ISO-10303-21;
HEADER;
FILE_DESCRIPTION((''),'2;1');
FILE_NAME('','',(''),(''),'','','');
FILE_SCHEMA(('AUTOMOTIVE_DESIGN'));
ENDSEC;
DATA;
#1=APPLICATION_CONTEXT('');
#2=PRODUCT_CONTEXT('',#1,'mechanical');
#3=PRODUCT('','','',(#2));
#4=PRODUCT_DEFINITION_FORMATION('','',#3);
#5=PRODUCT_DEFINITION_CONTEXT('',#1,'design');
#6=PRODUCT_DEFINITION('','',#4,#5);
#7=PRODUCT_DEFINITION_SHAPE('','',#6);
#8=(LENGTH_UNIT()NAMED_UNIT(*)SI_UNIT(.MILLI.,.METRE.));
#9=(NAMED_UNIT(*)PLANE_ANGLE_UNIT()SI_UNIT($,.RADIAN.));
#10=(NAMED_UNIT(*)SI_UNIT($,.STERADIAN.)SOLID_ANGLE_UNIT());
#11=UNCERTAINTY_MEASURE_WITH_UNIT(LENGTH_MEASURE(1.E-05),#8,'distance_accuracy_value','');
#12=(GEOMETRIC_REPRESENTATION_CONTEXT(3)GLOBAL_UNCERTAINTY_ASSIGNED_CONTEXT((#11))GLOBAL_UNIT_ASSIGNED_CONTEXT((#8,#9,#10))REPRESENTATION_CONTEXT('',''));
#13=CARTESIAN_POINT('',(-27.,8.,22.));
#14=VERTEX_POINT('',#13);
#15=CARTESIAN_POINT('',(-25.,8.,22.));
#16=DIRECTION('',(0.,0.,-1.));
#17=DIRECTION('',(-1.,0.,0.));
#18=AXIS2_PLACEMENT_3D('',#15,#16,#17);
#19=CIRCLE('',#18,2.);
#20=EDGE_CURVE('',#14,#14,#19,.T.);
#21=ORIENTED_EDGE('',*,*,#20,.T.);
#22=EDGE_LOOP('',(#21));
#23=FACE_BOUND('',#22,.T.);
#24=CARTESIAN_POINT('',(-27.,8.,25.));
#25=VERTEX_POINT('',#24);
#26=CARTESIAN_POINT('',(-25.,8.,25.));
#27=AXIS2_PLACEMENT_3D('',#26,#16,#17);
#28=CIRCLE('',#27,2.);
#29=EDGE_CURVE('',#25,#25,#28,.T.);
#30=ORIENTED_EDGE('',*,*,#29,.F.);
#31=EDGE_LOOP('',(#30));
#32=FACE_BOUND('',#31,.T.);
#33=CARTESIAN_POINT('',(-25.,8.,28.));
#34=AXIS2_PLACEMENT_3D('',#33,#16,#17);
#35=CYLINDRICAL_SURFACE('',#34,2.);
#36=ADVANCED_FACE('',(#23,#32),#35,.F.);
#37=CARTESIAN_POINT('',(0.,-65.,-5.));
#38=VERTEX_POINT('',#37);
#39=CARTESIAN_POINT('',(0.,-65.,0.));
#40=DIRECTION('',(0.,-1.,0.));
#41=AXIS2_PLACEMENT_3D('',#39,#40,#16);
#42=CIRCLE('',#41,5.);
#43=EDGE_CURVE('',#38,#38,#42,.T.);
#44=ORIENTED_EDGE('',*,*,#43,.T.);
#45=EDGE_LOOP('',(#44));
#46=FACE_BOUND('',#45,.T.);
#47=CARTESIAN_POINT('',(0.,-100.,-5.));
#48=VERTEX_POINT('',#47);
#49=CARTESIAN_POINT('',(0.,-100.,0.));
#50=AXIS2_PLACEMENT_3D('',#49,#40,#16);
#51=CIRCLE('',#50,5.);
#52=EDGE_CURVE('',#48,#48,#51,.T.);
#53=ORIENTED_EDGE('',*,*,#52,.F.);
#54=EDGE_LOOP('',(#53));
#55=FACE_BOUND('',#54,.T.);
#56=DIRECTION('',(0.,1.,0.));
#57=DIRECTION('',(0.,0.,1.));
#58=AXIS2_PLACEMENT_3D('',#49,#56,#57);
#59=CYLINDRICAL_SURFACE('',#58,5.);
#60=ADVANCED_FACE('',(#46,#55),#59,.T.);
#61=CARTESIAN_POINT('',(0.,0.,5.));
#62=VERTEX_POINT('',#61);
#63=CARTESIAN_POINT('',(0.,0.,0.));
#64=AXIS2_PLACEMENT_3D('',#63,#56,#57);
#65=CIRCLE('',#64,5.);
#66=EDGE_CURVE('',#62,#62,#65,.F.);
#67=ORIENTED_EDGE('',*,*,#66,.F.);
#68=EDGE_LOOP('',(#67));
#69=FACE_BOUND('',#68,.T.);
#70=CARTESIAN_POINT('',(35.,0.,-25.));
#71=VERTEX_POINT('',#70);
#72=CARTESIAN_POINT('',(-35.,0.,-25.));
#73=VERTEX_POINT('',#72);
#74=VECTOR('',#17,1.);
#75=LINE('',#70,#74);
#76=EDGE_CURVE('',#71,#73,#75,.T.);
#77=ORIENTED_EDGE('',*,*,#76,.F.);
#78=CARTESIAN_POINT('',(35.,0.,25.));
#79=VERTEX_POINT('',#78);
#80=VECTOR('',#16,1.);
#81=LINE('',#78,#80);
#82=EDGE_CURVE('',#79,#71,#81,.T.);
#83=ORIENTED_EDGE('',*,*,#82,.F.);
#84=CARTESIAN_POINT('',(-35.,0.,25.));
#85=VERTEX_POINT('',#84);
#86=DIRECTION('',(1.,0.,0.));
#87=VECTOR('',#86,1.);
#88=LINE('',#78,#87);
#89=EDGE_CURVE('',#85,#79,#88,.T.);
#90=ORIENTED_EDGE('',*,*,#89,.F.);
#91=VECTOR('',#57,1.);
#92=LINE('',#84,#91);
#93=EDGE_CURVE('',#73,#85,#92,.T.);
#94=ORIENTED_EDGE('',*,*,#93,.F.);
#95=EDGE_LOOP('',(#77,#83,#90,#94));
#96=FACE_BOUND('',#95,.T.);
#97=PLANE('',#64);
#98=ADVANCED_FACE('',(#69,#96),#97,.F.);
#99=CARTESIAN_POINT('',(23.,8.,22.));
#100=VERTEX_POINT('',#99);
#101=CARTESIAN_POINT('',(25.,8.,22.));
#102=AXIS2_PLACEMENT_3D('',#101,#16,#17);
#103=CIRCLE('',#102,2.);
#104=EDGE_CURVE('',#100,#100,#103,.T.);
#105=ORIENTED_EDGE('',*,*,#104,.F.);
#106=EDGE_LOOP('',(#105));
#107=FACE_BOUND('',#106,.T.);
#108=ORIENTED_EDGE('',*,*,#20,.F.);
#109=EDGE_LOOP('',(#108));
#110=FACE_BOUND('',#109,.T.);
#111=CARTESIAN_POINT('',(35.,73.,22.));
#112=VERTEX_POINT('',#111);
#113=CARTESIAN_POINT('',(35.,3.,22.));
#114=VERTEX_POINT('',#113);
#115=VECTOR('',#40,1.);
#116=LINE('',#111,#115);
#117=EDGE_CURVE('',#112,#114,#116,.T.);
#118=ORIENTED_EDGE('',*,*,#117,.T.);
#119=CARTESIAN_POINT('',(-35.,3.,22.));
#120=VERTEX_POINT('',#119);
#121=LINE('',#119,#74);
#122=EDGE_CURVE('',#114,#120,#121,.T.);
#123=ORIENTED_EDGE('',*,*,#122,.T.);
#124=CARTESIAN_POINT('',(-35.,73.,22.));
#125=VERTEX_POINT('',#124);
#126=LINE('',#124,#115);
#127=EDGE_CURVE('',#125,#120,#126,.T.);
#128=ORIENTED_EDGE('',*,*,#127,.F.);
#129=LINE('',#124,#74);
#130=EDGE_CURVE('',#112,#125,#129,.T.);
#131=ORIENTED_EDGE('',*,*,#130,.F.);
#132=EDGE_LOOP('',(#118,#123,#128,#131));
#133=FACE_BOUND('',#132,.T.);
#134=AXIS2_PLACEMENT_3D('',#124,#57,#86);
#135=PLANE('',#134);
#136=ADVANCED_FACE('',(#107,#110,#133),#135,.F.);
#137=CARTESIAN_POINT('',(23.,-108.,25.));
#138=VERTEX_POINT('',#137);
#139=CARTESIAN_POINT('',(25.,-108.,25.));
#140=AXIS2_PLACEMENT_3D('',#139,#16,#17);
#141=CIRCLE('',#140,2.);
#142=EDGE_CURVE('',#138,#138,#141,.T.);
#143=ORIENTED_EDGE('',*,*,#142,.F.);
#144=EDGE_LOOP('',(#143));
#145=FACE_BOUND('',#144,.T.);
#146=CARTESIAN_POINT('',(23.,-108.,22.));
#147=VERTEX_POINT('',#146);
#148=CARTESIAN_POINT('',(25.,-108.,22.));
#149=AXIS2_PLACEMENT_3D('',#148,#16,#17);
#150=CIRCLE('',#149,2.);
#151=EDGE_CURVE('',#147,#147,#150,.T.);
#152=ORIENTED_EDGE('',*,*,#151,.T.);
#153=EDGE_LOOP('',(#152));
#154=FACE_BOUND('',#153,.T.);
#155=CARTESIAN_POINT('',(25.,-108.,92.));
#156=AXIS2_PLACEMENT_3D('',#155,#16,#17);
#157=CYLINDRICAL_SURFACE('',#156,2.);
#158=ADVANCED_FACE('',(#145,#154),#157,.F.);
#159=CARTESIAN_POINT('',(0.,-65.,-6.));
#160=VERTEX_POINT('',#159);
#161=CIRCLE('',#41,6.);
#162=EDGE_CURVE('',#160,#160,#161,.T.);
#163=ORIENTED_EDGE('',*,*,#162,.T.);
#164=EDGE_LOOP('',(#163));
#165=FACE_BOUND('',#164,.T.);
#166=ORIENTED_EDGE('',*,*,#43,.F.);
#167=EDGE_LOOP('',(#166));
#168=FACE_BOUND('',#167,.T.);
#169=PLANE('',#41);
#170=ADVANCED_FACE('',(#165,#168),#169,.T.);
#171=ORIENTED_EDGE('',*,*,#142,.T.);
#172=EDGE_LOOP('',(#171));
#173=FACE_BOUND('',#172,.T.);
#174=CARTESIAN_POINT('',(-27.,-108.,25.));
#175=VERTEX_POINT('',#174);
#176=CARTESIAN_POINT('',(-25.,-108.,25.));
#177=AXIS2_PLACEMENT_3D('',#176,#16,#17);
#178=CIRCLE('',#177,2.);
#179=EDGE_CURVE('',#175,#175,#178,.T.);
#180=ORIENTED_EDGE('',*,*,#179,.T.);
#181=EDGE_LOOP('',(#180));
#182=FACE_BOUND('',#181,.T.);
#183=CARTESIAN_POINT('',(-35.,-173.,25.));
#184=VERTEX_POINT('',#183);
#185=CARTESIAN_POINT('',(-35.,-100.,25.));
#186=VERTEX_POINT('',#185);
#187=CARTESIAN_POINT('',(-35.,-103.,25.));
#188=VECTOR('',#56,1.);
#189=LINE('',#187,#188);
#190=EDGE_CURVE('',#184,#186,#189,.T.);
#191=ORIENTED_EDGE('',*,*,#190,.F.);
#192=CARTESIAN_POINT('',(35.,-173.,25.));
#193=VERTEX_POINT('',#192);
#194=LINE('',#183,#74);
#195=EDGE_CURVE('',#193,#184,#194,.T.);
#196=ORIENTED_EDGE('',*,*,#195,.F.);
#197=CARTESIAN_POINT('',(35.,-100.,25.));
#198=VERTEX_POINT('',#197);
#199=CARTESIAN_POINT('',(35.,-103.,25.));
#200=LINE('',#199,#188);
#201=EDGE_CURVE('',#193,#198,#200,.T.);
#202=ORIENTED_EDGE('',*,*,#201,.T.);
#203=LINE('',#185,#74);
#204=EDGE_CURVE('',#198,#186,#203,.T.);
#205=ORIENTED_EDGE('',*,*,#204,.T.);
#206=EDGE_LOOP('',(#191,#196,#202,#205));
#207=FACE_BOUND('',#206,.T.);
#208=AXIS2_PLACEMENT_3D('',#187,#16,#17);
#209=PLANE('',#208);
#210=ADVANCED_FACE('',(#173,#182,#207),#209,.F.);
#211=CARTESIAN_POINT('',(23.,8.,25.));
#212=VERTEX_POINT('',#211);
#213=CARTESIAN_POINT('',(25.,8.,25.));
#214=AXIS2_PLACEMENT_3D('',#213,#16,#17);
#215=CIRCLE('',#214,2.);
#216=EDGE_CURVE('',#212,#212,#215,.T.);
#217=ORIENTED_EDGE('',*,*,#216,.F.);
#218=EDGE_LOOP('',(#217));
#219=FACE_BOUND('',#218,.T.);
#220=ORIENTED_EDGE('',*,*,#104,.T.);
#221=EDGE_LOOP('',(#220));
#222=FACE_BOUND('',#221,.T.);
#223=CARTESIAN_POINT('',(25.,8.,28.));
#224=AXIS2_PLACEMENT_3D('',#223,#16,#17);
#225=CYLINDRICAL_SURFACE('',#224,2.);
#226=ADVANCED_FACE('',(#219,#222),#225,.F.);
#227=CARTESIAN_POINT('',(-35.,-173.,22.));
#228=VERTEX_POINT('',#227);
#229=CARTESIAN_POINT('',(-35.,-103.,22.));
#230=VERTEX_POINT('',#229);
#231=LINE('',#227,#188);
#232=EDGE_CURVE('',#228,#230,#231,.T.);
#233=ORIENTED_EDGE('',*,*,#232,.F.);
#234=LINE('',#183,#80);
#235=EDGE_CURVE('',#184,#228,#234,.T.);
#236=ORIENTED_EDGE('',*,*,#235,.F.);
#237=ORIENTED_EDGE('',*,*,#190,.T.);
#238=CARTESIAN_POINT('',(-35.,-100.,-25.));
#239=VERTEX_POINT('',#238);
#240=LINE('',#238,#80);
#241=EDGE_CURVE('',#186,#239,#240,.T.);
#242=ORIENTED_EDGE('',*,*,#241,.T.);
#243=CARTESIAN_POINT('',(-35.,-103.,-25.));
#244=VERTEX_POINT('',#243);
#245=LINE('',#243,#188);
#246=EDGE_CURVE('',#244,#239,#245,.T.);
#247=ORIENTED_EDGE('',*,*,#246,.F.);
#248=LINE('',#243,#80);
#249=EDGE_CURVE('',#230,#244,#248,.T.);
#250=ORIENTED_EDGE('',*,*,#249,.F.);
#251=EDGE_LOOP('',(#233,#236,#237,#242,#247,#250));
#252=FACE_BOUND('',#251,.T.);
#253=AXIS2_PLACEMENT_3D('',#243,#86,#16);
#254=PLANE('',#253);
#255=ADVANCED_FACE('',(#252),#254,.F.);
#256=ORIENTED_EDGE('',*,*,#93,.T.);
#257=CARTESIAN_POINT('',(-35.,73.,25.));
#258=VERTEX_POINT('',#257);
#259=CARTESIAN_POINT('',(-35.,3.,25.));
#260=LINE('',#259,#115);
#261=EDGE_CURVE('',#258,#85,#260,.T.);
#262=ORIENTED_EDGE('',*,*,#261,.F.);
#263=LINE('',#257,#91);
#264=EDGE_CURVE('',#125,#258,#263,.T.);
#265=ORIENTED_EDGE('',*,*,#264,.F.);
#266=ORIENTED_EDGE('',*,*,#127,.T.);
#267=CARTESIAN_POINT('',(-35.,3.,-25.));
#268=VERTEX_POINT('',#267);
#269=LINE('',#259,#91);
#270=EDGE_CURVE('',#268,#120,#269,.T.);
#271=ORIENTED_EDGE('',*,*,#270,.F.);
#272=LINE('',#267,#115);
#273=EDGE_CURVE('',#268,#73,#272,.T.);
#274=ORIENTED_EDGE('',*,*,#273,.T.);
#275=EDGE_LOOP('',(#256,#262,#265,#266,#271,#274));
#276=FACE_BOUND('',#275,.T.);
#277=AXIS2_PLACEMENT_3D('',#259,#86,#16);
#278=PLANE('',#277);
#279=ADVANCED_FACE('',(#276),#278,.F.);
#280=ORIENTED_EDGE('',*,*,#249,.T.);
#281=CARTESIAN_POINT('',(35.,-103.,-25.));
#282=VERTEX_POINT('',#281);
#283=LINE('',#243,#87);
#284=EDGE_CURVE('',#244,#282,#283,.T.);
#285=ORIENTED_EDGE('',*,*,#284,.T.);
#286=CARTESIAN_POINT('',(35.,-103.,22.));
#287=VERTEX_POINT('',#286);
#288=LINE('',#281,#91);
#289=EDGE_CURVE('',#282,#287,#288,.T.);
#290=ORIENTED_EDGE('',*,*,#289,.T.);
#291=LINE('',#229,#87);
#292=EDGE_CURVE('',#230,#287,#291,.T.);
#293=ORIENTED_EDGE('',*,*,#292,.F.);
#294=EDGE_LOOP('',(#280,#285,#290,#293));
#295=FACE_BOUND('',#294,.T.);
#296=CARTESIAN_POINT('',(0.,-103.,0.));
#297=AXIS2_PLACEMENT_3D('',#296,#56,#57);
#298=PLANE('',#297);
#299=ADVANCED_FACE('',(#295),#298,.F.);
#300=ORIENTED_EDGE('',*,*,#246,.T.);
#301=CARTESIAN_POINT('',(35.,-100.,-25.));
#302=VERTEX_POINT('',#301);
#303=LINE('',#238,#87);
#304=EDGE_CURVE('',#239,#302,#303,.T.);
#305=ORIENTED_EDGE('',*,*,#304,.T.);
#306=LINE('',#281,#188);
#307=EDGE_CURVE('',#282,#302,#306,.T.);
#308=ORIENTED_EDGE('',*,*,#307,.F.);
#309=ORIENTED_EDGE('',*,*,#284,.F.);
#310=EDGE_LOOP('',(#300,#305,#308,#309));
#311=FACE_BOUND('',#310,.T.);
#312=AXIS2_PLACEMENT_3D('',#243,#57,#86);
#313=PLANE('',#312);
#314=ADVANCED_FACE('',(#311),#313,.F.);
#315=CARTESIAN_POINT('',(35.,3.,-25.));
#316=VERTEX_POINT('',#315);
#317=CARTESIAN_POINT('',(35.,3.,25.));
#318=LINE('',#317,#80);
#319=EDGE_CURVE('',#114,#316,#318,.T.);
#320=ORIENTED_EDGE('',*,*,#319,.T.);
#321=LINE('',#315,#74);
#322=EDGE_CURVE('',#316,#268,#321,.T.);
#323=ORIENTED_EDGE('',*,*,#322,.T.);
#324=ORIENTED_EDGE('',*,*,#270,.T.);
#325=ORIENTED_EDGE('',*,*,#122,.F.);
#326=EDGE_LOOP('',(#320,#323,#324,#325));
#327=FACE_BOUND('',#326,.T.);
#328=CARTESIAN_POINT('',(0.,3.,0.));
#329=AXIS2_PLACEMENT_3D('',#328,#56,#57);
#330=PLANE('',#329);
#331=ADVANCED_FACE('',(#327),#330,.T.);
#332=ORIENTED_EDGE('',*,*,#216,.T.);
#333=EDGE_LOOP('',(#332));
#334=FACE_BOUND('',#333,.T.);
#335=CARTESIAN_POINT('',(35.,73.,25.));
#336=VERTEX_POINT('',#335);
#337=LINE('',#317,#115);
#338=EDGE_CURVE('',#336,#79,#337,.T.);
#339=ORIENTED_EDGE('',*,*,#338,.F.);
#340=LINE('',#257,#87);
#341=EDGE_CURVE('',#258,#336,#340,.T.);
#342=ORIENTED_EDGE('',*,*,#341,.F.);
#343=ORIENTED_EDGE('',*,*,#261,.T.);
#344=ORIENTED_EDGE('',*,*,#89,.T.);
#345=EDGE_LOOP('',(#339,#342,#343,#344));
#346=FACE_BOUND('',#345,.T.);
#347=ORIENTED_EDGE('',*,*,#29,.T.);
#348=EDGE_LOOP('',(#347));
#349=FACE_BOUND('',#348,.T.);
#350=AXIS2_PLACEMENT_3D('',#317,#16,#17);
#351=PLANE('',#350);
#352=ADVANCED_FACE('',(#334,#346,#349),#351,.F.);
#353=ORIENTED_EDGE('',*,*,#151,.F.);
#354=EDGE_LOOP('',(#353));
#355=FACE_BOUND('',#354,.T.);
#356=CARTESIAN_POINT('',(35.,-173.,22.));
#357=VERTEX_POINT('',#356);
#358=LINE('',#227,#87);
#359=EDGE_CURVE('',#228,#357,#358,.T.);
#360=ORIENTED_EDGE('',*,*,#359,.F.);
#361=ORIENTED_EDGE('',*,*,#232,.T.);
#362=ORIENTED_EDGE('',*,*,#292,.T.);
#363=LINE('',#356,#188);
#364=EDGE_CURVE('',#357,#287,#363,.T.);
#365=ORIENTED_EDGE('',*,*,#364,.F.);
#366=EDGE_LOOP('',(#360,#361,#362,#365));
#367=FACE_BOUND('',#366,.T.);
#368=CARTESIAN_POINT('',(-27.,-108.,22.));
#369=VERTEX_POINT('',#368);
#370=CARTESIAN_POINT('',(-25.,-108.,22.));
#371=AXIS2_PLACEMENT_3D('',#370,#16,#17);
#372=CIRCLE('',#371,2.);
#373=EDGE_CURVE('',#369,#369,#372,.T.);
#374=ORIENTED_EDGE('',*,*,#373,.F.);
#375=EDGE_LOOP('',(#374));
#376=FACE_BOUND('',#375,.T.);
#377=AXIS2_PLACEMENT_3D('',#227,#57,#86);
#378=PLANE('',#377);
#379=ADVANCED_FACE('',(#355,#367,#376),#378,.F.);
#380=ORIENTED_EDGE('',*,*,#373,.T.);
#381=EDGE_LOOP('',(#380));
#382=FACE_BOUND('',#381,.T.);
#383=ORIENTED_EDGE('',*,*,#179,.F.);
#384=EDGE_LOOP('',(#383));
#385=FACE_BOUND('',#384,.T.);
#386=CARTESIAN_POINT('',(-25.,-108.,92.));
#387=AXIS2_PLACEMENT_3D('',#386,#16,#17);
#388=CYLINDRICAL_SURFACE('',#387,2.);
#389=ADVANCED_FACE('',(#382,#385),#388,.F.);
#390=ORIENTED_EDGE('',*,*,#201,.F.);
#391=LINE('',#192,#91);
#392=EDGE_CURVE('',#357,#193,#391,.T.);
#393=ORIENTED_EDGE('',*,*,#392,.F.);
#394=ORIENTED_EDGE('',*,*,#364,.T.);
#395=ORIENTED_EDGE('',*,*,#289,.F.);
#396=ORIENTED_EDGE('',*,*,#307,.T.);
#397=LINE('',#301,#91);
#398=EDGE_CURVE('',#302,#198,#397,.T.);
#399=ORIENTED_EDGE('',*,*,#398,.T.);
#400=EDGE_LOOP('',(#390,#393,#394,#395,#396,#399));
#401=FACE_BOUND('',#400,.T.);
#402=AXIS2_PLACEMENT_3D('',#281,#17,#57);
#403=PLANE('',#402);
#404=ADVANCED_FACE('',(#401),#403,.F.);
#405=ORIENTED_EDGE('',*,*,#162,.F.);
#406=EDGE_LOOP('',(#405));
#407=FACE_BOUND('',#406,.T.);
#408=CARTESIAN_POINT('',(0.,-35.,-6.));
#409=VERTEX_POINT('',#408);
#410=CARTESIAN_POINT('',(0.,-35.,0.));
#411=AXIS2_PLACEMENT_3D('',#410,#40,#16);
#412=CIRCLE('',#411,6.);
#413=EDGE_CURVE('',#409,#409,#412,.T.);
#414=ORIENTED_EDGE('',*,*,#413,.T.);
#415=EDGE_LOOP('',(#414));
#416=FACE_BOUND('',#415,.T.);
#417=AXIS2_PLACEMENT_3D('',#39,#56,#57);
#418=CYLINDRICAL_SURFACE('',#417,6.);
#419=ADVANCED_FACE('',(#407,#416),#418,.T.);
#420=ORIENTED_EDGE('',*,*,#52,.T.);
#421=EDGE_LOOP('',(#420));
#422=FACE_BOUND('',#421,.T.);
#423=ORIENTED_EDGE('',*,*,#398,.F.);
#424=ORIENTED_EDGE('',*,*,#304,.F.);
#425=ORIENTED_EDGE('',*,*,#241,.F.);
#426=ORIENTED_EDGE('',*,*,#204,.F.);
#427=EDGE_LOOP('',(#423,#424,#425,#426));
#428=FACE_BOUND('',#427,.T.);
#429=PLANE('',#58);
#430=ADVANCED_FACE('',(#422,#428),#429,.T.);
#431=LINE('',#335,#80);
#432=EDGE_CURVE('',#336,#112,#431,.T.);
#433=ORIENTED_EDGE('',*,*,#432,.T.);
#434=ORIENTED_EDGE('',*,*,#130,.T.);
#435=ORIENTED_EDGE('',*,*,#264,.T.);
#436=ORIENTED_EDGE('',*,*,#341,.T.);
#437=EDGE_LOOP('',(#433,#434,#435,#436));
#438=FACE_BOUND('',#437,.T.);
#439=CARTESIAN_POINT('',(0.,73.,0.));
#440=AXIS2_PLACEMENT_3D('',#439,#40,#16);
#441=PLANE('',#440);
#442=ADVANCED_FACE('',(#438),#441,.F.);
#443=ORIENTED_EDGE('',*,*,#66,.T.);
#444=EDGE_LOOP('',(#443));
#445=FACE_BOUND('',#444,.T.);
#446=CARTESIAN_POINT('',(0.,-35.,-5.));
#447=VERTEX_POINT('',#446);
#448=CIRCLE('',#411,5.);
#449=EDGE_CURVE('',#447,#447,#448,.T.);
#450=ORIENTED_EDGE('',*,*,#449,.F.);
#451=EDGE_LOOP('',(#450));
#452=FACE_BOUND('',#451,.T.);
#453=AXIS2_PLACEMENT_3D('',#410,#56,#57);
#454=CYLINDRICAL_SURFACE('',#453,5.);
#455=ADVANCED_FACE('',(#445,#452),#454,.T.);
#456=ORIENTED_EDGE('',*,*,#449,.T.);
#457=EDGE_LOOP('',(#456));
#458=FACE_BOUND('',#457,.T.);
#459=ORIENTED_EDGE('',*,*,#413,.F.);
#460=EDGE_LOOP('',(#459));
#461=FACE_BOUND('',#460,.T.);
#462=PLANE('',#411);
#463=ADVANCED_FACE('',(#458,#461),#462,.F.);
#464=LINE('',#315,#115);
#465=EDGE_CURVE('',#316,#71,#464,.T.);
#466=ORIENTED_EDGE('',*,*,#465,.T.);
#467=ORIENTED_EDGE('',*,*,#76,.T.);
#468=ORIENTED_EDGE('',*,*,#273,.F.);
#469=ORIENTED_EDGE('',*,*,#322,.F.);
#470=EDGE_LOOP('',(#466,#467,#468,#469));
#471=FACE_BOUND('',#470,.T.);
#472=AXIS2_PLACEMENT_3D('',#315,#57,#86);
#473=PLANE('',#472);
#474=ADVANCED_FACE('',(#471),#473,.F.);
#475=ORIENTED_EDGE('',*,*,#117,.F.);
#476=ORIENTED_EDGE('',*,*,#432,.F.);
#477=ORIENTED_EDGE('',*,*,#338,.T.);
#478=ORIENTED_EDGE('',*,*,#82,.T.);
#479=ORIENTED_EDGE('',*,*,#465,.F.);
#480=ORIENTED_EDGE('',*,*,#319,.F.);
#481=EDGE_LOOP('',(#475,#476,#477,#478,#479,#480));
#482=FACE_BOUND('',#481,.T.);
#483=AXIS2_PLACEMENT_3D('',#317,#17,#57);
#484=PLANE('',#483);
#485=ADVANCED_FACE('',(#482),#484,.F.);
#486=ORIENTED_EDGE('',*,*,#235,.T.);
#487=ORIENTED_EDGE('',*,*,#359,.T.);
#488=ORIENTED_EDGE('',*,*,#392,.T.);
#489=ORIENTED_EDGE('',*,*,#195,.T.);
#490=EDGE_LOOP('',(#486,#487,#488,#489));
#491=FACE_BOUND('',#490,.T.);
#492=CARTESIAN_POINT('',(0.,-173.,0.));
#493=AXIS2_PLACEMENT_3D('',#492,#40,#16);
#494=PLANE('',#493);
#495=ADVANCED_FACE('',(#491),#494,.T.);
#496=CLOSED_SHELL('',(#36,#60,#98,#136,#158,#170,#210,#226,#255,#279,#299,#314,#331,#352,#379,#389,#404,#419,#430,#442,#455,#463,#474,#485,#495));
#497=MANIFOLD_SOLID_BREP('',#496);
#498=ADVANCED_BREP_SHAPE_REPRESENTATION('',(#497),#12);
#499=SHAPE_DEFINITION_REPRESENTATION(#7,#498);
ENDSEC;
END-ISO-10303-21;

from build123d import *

# Parameters (mm, degrees)
SKETCH1_W           = 70
SKETCH1_H           = 50
BOSS_EXTRUDE1_DEPTH = 3
SKETCH2_W           = 70
SKETCH2_H           = 3
BOSS_EXTRUDE2_DEPTH = 70
SKETCH3_R           = 2
CUT_EXTRUDE1_DEPTH  = 6
SKETCH4_R           = 5
BOSS_EXTRUDE3_DEPTH = 35
SKETCH5_R           = 6
BOSS_EXTRUDE4_DEPTH = 30
SKETCH6_R           = 5
BOSS_EXTRUDE5_DEPTH = 35
SKETCH7_W           = 70
SKETCH7_H           = 50
BOSS_EXTRUDE6_DEPTH = 3
SKETCH8_W           = 70
SKETCH8_H           = 3
BOSS_EXTRUDE7_DEPTH = 70
SKETCH9_R           = 2
CUT_EXTRUDE2_DEPTH  = 70


with BuildPart() as part:
    # Sketch1 → Boss-Extrude1 (new body)
    with BuildSketch(Plane(origin=(0, 0, 0), x_dir=(1, 0, 0), z_dir=(0, 1, 0))):
        Rectangle(SKETCH1_W, SKETCH1_H)
    extrude(amount=BOSS_EXTRUDE1_DEPTH)

    # Sketch2 → Boss-Extrude2 (add)
    with BuildSketch(Plane(origin=(0, 3, 0), x_dir=(1, 0, 0), z_dir=(0, 1, 0))):
        with Locations((0, -23.5)):
            Rectangle(SKETCH2_W, SKETCH2_H)
    extrude(amount=BOSS_EXTRUDE2_DEPTH)

    # Sketch3 → Cut-Extrude1 (cut)
    with BuildSketch(Plane(origin=(0, 0, 22), x_dir=(-1, 0, 0), z_dir=(0, 0, -1))):
        with Locations((25, 8)):
            Circle(SKETCH3_R)
        with Locations((-25, 8)):
            Circle(SKETCH3_R)
    extrude(amount=-CUT_EXTRUDE1_DEPTH, mode=Mode.SUBTRACT)

    # Sketch4 → Boss-Extrude3 (add)
    with BuildSketch(Plane.XZ):
        Circle(SKETCH4_R)
    extrude(amount=BOSS_EXTRUDE3_DEPTH)

    # Sketch5 → Boss-Extrude4 (add)
    with BuildSketch(Plane.XZ.offset(35)):
        Circle(SKETCH5_R)
    extrude(amount=BOSS_EXTRUDE4_DEPTH)

    # Sketch6 → Boss-Extrude5 (add)
    with BuildSketch(Plane.XZ.offset(65)):
        Circle(SKETCH6_R)
    extrude(amount=BOSS_EXTRUDE5_DEPTH)

    # Sketch7 → Boss-Extrude6 (add)
    with BuildSketch(Plane.XZ.offset(100)):
        Rectangle(SKETCH7_W, SKETCH7_H)
    extrude(amount=BOSS_EXTRUDE6_DEPTH)

    # Sketch8 → Boss-Extrude7 (add)
    with BuildSketch(Plane.XZ.offset(103)):
        with Locations((0, 23.5)):
            Rectangle(SKETCH8_W, SKETCH8_H)
    extrude(amount=BOSS_EXTRUDE7_DEPTH)

    # Sketch9 → Cut-Extrude2 (cut)
    with BuildSketch(Plane(origin=(0, 0, 22), x_dir=(-1, 0, 0), z_dir=(0, 0, -1))):
        with Locations((-25, -108)):
            Circle(SKETCH9_R)
        with Locations((25, -108)):
            Circle(SKETCH9_R)
    extrude(amount=-CUT_EXTRUDE2_DEPTH, mode=Mode.SUBTRACT)


solid = part.part
